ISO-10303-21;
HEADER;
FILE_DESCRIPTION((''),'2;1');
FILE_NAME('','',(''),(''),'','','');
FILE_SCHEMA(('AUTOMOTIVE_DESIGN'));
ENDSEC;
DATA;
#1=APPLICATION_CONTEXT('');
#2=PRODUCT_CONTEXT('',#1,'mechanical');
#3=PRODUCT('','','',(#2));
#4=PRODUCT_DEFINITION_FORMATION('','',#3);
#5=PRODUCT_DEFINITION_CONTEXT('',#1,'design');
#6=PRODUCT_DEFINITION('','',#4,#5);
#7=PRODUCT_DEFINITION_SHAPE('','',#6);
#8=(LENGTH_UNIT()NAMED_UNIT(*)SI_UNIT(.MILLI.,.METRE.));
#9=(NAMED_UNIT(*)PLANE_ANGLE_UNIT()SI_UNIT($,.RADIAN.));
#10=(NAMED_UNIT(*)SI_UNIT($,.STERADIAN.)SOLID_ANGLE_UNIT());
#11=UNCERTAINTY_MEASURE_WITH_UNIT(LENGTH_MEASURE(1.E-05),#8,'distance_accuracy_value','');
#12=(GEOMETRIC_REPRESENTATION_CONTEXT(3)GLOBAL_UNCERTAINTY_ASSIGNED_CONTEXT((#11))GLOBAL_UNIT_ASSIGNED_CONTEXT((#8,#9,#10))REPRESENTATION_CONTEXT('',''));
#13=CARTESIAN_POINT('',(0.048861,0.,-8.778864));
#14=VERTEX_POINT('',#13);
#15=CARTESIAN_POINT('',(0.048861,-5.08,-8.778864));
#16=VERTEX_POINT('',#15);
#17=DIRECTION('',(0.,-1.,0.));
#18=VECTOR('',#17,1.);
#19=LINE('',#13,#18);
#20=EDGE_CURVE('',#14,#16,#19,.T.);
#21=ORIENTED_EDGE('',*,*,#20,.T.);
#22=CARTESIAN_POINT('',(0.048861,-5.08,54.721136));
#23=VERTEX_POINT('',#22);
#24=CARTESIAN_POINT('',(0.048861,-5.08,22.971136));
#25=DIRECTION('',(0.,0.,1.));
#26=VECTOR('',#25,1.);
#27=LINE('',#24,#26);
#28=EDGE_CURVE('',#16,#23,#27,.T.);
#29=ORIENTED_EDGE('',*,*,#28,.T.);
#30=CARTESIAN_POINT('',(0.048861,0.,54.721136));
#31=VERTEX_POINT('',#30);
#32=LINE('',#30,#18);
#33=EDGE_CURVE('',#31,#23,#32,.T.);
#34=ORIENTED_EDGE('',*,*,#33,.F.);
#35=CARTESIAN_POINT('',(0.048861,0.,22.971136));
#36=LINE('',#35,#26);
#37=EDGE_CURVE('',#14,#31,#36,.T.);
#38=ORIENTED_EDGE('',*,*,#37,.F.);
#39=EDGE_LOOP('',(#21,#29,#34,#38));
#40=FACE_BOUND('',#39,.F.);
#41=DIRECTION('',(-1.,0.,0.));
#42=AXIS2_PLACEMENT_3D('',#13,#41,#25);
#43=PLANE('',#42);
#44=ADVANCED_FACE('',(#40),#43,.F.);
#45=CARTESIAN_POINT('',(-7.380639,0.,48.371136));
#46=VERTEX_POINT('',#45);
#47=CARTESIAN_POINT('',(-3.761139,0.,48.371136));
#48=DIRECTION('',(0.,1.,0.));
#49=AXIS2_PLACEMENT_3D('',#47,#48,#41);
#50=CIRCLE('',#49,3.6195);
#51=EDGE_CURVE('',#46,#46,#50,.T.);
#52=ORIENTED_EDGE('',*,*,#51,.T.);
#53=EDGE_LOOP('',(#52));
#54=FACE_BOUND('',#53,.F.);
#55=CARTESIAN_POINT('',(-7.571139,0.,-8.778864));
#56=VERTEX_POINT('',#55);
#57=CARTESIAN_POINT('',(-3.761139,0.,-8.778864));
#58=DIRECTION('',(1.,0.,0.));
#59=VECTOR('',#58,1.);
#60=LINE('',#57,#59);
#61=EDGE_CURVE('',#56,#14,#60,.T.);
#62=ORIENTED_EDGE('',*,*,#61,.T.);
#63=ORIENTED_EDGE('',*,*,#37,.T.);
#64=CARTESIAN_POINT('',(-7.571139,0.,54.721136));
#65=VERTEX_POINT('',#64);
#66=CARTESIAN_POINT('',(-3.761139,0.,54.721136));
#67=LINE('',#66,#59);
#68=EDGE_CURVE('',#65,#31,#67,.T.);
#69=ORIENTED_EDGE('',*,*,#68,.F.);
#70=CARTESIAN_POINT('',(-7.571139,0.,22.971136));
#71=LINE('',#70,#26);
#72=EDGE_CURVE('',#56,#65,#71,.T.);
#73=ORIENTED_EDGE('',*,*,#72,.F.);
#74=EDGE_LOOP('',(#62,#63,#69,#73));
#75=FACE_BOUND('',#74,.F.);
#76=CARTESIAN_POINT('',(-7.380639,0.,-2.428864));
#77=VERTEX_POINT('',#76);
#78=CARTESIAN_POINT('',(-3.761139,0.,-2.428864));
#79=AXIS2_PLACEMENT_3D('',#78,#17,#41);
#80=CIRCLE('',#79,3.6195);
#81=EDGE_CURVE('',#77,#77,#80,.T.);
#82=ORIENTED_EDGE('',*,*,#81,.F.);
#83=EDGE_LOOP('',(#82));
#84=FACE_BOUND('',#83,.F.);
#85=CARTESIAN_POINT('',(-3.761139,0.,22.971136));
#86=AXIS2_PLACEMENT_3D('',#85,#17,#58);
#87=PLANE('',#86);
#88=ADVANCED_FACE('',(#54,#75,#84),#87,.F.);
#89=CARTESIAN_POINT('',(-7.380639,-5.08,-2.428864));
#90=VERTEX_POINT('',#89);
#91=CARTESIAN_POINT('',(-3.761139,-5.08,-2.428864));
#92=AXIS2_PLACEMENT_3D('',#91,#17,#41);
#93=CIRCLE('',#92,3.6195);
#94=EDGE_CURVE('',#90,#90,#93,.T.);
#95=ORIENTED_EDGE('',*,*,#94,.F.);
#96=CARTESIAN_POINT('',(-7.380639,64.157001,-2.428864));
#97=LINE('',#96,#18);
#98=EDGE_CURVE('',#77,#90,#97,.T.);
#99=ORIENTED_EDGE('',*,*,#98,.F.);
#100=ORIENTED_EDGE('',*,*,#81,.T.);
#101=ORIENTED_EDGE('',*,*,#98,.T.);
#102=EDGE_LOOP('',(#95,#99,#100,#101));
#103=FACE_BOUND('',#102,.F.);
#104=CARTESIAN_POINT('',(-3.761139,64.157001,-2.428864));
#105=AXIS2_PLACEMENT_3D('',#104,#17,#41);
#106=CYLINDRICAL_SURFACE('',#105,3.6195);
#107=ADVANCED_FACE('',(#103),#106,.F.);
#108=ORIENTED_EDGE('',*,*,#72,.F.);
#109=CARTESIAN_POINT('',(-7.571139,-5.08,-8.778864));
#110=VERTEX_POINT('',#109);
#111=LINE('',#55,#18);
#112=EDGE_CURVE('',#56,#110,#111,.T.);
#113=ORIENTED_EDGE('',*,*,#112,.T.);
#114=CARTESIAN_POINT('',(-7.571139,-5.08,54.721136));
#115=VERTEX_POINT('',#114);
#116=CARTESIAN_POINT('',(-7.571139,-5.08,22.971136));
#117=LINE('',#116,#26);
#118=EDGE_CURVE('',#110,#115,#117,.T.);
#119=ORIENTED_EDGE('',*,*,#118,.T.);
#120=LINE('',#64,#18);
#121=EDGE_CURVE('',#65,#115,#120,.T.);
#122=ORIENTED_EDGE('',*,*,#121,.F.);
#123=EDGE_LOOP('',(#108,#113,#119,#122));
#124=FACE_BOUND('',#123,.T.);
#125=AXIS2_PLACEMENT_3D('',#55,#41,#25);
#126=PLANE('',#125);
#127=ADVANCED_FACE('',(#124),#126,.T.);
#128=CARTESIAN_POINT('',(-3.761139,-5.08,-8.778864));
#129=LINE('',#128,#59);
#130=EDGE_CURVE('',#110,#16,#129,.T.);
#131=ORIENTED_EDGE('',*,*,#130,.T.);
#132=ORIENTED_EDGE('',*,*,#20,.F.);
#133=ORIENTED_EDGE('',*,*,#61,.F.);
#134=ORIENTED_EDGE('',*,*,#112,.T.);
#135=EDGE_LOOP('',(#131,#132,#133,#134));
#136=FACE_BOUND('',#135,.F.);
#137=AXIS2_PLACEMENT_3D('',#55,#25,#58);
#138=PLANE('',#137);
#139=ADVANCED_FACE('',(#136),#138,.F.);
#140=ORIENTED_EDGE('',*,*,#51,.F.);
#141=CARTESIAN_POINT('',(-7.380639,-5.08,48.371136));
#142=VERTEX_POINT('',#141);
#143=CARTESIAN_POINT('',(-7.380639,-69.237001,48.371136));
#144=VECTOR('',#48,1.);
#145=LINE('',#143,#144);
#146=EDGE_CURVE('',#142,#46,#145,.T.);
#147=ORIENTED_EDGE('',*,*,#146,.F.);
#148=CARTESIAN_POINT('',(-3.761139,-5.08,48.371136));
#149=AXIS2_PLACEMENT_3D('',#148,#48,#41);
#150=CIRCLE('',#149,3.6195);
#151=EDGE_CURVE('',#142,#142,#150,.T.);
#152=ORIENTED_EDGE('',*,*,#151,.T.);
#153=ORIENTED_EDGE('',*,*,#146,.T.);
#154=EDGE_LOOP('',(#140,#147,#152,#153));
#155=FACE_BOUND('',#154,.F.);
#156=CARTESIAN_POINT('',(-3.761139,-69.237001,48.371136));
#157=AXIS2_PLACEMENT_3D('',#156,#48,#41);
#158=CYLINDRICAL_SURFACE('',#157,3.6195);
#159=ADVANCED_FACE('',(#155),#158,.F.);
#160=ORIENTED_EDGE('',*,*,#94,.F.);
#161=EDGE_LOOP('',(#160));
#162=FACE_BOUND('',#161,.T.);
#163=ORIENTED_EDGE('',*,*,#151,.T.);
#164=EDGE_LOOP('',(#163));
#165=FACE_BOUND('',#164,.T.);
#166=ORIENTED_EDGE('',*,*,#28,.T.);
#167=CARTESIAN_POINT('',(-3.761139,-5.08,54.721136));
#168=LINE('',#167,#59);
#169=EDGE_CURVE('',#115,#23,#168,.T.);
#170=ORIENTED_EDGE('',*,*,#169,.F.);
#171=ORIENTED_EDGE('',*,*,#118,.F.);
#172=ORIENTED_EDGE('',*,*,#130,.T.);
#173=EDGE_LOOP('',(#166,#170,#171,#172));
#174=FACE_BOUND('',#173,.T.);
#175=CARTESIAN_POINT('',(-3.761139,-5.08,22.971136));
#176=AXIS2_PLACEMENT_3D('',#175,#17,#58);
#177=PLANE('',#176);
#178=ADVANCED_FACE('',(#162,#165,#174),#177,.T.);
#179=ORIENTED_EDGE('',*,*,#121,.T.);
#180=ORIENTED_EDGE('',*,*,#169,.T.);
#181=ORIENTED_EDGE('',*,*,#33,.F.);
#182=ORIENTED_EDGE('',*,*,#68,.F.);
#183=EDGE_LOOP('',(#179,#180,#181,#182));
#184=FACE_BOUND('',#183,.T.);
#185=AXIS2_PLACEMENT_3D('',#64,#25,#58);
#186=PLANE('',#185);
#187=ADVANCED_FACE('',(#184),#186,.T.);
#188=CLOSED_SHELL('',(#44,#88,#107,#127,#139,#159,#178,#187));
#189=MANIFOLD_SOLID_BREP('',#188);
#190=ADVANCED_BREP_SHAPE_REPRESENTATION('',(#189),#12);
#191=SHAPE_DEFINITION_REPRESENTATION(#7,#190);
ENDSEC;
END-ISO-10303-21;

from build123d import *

# Parameters (mm, degrees)
F0_W     = 7.62
F0_H     = 63.5
F1_DEPTH = 5.08
F4_D     = 7.239
F5_D     = 7.239


with BuildPart() as f1:
    # F0 (on Front) → F1 (new body)
    with BuildSketch(Plane.XZ):
        with Locations((-3.7611387034, 22.9711361981)):
            Rectangle(F0_W, F0_H)
    extrude(amount=F1_DEPTH)

    # F4 (through all)
    with Locations(Plane.XZ.offset(5.08)):
        with Locations((-3.7611387034, 48.3711361981)):
            Hole(F4_D / 2)

    # F5 (through all)
    with Locations(Plane(origin=(0, 0, 0), x_dir=(1, 0, 0), z_dir=(0, 1, 0))):
        with Locations((-3.7611387034, 2.4288638019)):
            Hole(F5_D / 2)


solid = f1.part
